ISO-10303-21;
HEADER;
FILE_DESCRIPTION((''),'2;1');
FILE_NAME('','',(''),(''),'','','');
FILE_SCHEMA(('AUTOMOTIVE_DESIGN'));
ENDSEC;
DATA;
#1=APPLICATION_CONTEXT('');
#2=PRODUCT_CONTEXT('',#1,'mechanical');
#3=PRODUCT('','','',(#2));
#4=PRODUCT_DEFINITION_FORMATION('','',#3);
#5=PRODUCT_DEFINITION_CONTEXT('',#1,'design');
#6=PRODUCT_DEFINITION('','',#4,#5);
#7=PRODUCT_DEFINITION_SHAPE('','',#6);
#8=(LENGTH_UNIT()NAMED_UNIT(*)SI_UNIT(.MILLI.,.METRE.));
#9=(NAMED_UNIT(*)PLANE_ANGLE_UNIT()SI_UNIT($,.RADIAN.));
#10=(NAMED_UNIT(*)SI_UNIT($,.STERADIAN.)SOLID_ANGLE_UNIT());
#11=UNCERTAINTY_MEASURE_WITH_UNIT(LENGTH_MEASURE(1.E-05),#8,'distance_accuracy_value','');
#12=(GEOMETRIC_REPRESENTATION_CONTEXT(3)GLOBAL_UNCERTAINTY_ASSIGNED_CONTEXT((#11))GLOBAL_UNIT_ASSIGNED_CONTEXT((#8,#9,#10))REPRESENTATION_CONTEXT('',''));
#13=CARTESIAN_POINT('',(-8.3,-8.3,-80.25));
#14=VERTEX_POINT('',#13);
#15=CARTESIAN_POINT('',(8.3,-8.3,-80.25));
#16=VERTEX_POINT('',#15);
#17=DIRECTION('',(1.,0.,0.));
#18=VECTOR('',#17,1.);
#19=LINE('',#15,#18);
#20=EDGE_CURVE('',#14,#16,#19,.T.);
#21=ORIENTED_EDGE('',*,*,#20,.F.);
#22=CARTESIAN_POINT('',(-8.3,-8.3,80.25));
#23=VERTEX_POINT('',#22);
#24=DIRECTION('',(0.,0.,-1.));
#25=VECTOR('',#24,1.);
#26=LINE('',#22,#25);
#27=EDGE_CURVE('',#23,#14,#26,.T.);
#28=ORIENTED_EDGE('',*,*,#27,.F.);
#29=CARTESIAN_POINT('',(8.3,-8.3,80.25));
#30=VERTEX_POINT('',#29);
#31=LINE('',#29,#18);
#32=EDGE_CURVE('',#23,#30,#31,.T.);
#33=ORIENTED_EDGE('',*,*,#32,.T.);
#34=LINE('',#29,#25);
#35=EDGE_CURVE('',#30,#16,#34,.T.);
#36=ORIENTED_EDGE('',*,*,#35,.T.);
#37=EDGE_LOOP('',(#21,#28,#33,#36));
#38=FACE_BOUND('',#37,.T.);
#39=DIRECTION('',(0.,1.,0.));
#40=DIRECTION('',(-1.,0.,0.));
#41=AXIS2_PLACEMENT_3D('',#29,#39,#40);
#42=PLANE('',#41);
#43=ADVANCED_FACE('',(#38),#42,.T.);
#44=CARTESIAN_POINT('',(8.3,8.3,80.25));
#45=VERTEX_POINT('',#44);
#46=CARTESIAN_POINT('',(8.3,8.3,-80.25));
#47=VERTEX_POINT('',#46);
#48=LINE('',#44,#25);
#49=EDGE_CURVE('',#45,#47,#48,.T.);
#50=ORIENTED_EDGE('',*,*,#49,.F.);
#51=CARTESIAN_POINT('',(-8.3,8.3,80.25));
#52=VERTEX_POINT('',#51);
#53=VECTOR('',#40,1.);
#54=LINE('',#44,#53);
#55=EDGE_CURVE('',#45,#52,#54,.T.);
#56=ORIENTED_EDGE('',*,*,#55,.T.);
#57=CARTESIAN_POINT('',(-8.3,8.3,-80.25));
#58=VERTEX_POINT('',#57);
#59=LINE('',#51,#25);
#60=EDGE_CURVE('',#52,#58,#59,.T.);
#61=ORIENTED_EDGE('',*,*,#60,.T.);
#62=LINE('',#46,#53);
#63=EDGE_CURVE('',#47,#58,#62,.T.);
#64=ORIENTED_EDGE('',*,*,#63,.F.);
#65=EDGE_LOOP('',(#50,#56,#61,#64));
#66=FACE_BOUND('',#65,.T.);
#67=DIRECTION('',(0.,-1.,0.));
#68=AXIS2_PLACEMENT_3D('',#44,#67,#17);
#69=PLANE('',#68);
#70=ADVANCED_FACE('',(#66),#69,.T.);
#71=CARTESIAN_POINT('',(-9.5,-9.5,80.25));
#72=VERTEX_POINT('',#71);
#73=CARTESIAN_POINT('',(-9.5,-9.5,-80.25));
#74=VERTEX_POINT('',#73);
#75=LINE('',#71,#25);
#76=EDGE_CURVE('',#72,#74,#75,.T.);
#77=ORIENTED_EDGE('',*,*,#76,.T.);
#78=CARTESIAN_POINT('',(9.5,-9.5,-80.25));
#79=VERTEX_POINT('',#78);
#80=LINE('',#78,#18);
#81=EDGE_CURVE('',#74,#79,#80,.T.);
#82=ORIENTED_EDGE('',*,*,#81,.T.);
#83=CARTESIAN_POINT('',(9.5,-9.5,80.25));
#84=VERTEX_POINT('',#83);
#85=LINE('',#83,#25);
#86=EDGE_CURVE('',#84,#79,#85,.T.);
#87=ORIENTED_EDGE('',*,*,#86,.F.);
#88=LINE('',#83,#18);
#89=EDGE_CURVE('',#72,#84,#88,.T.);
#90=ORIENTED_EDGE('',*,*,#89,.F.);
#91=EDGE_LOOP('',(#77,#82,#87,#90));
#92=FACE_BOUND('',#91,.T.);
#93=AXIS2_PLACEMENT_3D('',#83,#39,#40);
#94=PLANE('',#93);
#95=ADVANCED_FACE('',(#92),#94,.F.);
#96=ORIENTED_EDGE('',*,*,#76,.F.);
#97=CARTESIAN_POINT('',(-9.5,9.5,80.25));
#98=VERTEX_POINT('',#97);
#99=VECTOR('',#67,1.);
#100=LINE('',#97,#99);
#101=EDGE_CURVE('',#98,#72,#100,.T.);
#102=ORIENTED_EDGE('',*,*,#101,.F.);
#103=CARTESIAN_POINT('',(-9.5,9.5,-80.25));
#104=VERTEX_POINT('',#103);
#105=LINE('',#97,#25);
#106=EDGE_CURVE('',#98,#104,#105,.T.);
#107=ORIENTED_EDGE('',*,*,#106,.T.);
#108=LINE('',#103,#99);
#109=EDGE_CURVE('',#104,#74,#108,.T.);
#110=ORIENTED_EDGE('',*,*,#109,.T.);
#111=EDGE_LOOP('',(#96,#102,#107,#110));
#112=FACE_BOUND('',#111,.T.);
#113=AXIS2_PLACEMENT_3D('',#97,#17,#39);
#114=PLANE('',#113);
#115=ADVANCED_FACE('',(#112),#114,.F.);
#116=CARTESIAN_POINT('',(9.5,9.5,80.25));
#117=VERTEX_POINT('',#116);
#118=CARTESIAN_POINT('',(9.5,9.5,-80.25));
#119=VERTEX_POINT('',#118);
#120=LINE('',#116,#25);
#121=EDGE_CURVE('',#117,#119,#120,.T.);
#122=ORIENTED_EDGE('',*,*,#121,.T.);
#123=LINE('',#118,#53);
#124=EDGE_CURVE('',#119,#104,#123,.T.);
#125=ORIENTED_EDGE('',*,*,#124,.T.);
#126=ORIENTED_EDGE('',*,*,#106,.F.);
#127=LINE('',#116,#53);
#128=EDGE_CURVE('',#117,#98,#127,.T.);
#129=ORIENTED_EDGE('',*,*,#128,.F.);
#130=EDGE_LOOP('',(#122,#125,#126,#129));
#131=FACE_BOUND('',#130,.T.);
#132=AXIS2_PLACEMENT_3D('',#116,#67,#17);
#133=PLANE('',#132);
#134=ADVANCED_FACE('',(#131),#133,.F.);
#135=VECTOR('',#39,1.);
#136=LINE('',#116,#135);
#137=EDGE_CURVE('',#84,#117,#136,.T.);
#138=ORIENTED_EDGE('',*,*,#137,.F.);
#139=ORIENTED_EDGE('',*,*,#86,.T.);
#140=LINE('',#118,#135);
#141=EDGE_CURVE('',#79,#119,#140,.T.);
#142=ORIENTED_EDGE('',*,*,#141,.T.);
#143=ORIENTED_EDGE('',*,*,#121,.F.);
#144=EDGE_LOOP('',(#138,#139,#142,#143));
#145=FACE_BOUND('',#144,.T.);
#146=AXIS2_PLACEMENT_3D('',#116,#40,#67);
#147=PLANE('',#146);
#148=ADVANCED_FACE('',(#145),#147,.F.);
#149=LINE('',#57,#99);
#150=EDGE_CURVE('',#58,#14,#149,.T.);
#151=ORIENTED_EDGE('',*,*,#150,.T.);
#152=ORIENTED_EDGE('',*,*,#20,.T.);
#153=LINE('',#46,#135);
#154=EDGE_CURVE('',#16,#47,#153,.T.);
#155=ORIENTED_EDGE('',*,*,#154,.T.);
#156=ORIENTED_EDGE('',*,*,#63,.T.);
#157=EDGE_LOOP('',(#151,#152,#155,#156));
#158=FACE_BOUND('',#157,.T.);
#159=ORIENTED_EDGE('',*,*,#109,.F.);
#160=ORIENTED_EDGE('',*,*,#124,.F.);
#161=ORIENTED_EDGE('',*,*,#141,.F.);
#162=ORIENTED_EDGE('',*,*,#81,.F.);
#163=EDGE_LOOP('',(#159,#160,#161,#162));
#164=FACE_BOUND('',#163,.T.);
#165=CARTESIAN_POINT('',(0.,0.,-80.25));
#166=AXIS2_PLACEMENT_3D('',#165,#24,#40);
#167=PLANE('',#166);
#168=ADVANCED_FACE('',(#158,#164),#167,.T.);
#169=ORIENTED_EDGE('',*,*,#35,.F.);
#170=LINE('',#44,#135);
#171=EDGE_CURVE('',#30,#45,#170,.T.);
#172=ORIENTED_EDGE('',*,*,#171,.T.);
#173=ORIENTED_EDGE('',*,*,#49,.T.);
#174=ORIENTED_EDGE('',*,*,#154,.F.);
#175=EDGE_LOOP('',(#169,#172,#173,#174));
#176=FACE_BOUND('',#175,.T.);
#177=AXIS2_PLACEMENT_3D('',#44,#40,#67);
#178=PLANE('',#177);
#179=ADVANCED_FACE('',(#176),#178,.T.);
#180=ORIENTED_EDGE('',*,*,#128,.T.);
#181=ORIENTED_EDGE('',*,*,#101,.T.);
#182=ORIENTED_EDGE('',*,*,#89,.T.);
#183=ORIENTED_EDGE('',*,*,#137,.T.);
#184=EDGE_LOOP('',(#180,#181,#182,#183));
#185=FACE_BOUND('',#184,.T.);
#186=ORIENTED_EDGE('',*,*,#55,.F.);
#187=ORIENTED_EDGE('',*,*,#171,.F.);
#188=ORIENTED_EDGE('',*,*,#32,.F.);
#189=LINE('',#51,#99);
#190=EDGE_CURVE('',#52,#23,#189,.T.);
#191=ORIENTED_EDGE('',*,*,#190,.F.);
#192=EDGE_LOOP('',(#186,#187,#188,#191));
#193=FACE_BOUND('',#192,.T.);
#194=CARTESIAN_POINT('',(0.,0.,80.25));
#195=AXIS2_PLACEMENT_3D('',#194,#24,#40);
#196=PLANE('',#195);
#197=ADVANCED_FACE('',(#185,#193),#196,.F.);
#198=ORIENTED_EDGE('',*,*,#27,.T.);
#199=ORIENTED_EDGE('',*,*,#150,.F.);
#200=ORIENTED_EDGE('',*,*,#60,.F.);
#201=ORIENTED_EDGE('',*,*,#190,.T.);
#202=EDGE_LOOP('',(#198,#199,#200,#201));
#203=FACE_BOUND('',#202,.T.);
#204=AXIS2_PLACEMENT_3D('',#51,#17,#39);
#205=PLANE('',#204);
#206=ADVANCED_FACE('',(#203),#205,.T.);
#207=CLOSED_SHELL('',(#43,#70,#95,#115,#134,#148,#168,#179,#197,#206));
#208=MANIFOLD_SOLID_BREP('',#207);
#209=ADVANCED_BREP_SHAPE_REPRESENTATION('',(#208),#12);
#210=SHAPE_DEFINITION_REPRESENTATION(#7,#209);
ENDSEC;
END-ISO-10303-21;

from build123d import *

# Parameters (mm, degrees)
SKETCH1_W           = 19
SKETCH1_H           = 19
SKETCH1_W_2         = 16.6
SKETCH1_H_2         = 16.6
BOSS_EXTRUDE1_DEPTH = 80.25


with BuildPart() as part:
    # Sketch1 → Boss-Extrude1 (new, symmetric)
    with BuildSketch(Plane.XY):
        Rectangle(SKETCH1_W, SKETCH1_H)
        Rectangle(SKETCH1_W_2, SKETCH1_H_2, mode=Mode.SUBTRACT)
    extrude(amount=BOSS_EXTRUDE1_DEPTH, both=True)


solid = part.part
